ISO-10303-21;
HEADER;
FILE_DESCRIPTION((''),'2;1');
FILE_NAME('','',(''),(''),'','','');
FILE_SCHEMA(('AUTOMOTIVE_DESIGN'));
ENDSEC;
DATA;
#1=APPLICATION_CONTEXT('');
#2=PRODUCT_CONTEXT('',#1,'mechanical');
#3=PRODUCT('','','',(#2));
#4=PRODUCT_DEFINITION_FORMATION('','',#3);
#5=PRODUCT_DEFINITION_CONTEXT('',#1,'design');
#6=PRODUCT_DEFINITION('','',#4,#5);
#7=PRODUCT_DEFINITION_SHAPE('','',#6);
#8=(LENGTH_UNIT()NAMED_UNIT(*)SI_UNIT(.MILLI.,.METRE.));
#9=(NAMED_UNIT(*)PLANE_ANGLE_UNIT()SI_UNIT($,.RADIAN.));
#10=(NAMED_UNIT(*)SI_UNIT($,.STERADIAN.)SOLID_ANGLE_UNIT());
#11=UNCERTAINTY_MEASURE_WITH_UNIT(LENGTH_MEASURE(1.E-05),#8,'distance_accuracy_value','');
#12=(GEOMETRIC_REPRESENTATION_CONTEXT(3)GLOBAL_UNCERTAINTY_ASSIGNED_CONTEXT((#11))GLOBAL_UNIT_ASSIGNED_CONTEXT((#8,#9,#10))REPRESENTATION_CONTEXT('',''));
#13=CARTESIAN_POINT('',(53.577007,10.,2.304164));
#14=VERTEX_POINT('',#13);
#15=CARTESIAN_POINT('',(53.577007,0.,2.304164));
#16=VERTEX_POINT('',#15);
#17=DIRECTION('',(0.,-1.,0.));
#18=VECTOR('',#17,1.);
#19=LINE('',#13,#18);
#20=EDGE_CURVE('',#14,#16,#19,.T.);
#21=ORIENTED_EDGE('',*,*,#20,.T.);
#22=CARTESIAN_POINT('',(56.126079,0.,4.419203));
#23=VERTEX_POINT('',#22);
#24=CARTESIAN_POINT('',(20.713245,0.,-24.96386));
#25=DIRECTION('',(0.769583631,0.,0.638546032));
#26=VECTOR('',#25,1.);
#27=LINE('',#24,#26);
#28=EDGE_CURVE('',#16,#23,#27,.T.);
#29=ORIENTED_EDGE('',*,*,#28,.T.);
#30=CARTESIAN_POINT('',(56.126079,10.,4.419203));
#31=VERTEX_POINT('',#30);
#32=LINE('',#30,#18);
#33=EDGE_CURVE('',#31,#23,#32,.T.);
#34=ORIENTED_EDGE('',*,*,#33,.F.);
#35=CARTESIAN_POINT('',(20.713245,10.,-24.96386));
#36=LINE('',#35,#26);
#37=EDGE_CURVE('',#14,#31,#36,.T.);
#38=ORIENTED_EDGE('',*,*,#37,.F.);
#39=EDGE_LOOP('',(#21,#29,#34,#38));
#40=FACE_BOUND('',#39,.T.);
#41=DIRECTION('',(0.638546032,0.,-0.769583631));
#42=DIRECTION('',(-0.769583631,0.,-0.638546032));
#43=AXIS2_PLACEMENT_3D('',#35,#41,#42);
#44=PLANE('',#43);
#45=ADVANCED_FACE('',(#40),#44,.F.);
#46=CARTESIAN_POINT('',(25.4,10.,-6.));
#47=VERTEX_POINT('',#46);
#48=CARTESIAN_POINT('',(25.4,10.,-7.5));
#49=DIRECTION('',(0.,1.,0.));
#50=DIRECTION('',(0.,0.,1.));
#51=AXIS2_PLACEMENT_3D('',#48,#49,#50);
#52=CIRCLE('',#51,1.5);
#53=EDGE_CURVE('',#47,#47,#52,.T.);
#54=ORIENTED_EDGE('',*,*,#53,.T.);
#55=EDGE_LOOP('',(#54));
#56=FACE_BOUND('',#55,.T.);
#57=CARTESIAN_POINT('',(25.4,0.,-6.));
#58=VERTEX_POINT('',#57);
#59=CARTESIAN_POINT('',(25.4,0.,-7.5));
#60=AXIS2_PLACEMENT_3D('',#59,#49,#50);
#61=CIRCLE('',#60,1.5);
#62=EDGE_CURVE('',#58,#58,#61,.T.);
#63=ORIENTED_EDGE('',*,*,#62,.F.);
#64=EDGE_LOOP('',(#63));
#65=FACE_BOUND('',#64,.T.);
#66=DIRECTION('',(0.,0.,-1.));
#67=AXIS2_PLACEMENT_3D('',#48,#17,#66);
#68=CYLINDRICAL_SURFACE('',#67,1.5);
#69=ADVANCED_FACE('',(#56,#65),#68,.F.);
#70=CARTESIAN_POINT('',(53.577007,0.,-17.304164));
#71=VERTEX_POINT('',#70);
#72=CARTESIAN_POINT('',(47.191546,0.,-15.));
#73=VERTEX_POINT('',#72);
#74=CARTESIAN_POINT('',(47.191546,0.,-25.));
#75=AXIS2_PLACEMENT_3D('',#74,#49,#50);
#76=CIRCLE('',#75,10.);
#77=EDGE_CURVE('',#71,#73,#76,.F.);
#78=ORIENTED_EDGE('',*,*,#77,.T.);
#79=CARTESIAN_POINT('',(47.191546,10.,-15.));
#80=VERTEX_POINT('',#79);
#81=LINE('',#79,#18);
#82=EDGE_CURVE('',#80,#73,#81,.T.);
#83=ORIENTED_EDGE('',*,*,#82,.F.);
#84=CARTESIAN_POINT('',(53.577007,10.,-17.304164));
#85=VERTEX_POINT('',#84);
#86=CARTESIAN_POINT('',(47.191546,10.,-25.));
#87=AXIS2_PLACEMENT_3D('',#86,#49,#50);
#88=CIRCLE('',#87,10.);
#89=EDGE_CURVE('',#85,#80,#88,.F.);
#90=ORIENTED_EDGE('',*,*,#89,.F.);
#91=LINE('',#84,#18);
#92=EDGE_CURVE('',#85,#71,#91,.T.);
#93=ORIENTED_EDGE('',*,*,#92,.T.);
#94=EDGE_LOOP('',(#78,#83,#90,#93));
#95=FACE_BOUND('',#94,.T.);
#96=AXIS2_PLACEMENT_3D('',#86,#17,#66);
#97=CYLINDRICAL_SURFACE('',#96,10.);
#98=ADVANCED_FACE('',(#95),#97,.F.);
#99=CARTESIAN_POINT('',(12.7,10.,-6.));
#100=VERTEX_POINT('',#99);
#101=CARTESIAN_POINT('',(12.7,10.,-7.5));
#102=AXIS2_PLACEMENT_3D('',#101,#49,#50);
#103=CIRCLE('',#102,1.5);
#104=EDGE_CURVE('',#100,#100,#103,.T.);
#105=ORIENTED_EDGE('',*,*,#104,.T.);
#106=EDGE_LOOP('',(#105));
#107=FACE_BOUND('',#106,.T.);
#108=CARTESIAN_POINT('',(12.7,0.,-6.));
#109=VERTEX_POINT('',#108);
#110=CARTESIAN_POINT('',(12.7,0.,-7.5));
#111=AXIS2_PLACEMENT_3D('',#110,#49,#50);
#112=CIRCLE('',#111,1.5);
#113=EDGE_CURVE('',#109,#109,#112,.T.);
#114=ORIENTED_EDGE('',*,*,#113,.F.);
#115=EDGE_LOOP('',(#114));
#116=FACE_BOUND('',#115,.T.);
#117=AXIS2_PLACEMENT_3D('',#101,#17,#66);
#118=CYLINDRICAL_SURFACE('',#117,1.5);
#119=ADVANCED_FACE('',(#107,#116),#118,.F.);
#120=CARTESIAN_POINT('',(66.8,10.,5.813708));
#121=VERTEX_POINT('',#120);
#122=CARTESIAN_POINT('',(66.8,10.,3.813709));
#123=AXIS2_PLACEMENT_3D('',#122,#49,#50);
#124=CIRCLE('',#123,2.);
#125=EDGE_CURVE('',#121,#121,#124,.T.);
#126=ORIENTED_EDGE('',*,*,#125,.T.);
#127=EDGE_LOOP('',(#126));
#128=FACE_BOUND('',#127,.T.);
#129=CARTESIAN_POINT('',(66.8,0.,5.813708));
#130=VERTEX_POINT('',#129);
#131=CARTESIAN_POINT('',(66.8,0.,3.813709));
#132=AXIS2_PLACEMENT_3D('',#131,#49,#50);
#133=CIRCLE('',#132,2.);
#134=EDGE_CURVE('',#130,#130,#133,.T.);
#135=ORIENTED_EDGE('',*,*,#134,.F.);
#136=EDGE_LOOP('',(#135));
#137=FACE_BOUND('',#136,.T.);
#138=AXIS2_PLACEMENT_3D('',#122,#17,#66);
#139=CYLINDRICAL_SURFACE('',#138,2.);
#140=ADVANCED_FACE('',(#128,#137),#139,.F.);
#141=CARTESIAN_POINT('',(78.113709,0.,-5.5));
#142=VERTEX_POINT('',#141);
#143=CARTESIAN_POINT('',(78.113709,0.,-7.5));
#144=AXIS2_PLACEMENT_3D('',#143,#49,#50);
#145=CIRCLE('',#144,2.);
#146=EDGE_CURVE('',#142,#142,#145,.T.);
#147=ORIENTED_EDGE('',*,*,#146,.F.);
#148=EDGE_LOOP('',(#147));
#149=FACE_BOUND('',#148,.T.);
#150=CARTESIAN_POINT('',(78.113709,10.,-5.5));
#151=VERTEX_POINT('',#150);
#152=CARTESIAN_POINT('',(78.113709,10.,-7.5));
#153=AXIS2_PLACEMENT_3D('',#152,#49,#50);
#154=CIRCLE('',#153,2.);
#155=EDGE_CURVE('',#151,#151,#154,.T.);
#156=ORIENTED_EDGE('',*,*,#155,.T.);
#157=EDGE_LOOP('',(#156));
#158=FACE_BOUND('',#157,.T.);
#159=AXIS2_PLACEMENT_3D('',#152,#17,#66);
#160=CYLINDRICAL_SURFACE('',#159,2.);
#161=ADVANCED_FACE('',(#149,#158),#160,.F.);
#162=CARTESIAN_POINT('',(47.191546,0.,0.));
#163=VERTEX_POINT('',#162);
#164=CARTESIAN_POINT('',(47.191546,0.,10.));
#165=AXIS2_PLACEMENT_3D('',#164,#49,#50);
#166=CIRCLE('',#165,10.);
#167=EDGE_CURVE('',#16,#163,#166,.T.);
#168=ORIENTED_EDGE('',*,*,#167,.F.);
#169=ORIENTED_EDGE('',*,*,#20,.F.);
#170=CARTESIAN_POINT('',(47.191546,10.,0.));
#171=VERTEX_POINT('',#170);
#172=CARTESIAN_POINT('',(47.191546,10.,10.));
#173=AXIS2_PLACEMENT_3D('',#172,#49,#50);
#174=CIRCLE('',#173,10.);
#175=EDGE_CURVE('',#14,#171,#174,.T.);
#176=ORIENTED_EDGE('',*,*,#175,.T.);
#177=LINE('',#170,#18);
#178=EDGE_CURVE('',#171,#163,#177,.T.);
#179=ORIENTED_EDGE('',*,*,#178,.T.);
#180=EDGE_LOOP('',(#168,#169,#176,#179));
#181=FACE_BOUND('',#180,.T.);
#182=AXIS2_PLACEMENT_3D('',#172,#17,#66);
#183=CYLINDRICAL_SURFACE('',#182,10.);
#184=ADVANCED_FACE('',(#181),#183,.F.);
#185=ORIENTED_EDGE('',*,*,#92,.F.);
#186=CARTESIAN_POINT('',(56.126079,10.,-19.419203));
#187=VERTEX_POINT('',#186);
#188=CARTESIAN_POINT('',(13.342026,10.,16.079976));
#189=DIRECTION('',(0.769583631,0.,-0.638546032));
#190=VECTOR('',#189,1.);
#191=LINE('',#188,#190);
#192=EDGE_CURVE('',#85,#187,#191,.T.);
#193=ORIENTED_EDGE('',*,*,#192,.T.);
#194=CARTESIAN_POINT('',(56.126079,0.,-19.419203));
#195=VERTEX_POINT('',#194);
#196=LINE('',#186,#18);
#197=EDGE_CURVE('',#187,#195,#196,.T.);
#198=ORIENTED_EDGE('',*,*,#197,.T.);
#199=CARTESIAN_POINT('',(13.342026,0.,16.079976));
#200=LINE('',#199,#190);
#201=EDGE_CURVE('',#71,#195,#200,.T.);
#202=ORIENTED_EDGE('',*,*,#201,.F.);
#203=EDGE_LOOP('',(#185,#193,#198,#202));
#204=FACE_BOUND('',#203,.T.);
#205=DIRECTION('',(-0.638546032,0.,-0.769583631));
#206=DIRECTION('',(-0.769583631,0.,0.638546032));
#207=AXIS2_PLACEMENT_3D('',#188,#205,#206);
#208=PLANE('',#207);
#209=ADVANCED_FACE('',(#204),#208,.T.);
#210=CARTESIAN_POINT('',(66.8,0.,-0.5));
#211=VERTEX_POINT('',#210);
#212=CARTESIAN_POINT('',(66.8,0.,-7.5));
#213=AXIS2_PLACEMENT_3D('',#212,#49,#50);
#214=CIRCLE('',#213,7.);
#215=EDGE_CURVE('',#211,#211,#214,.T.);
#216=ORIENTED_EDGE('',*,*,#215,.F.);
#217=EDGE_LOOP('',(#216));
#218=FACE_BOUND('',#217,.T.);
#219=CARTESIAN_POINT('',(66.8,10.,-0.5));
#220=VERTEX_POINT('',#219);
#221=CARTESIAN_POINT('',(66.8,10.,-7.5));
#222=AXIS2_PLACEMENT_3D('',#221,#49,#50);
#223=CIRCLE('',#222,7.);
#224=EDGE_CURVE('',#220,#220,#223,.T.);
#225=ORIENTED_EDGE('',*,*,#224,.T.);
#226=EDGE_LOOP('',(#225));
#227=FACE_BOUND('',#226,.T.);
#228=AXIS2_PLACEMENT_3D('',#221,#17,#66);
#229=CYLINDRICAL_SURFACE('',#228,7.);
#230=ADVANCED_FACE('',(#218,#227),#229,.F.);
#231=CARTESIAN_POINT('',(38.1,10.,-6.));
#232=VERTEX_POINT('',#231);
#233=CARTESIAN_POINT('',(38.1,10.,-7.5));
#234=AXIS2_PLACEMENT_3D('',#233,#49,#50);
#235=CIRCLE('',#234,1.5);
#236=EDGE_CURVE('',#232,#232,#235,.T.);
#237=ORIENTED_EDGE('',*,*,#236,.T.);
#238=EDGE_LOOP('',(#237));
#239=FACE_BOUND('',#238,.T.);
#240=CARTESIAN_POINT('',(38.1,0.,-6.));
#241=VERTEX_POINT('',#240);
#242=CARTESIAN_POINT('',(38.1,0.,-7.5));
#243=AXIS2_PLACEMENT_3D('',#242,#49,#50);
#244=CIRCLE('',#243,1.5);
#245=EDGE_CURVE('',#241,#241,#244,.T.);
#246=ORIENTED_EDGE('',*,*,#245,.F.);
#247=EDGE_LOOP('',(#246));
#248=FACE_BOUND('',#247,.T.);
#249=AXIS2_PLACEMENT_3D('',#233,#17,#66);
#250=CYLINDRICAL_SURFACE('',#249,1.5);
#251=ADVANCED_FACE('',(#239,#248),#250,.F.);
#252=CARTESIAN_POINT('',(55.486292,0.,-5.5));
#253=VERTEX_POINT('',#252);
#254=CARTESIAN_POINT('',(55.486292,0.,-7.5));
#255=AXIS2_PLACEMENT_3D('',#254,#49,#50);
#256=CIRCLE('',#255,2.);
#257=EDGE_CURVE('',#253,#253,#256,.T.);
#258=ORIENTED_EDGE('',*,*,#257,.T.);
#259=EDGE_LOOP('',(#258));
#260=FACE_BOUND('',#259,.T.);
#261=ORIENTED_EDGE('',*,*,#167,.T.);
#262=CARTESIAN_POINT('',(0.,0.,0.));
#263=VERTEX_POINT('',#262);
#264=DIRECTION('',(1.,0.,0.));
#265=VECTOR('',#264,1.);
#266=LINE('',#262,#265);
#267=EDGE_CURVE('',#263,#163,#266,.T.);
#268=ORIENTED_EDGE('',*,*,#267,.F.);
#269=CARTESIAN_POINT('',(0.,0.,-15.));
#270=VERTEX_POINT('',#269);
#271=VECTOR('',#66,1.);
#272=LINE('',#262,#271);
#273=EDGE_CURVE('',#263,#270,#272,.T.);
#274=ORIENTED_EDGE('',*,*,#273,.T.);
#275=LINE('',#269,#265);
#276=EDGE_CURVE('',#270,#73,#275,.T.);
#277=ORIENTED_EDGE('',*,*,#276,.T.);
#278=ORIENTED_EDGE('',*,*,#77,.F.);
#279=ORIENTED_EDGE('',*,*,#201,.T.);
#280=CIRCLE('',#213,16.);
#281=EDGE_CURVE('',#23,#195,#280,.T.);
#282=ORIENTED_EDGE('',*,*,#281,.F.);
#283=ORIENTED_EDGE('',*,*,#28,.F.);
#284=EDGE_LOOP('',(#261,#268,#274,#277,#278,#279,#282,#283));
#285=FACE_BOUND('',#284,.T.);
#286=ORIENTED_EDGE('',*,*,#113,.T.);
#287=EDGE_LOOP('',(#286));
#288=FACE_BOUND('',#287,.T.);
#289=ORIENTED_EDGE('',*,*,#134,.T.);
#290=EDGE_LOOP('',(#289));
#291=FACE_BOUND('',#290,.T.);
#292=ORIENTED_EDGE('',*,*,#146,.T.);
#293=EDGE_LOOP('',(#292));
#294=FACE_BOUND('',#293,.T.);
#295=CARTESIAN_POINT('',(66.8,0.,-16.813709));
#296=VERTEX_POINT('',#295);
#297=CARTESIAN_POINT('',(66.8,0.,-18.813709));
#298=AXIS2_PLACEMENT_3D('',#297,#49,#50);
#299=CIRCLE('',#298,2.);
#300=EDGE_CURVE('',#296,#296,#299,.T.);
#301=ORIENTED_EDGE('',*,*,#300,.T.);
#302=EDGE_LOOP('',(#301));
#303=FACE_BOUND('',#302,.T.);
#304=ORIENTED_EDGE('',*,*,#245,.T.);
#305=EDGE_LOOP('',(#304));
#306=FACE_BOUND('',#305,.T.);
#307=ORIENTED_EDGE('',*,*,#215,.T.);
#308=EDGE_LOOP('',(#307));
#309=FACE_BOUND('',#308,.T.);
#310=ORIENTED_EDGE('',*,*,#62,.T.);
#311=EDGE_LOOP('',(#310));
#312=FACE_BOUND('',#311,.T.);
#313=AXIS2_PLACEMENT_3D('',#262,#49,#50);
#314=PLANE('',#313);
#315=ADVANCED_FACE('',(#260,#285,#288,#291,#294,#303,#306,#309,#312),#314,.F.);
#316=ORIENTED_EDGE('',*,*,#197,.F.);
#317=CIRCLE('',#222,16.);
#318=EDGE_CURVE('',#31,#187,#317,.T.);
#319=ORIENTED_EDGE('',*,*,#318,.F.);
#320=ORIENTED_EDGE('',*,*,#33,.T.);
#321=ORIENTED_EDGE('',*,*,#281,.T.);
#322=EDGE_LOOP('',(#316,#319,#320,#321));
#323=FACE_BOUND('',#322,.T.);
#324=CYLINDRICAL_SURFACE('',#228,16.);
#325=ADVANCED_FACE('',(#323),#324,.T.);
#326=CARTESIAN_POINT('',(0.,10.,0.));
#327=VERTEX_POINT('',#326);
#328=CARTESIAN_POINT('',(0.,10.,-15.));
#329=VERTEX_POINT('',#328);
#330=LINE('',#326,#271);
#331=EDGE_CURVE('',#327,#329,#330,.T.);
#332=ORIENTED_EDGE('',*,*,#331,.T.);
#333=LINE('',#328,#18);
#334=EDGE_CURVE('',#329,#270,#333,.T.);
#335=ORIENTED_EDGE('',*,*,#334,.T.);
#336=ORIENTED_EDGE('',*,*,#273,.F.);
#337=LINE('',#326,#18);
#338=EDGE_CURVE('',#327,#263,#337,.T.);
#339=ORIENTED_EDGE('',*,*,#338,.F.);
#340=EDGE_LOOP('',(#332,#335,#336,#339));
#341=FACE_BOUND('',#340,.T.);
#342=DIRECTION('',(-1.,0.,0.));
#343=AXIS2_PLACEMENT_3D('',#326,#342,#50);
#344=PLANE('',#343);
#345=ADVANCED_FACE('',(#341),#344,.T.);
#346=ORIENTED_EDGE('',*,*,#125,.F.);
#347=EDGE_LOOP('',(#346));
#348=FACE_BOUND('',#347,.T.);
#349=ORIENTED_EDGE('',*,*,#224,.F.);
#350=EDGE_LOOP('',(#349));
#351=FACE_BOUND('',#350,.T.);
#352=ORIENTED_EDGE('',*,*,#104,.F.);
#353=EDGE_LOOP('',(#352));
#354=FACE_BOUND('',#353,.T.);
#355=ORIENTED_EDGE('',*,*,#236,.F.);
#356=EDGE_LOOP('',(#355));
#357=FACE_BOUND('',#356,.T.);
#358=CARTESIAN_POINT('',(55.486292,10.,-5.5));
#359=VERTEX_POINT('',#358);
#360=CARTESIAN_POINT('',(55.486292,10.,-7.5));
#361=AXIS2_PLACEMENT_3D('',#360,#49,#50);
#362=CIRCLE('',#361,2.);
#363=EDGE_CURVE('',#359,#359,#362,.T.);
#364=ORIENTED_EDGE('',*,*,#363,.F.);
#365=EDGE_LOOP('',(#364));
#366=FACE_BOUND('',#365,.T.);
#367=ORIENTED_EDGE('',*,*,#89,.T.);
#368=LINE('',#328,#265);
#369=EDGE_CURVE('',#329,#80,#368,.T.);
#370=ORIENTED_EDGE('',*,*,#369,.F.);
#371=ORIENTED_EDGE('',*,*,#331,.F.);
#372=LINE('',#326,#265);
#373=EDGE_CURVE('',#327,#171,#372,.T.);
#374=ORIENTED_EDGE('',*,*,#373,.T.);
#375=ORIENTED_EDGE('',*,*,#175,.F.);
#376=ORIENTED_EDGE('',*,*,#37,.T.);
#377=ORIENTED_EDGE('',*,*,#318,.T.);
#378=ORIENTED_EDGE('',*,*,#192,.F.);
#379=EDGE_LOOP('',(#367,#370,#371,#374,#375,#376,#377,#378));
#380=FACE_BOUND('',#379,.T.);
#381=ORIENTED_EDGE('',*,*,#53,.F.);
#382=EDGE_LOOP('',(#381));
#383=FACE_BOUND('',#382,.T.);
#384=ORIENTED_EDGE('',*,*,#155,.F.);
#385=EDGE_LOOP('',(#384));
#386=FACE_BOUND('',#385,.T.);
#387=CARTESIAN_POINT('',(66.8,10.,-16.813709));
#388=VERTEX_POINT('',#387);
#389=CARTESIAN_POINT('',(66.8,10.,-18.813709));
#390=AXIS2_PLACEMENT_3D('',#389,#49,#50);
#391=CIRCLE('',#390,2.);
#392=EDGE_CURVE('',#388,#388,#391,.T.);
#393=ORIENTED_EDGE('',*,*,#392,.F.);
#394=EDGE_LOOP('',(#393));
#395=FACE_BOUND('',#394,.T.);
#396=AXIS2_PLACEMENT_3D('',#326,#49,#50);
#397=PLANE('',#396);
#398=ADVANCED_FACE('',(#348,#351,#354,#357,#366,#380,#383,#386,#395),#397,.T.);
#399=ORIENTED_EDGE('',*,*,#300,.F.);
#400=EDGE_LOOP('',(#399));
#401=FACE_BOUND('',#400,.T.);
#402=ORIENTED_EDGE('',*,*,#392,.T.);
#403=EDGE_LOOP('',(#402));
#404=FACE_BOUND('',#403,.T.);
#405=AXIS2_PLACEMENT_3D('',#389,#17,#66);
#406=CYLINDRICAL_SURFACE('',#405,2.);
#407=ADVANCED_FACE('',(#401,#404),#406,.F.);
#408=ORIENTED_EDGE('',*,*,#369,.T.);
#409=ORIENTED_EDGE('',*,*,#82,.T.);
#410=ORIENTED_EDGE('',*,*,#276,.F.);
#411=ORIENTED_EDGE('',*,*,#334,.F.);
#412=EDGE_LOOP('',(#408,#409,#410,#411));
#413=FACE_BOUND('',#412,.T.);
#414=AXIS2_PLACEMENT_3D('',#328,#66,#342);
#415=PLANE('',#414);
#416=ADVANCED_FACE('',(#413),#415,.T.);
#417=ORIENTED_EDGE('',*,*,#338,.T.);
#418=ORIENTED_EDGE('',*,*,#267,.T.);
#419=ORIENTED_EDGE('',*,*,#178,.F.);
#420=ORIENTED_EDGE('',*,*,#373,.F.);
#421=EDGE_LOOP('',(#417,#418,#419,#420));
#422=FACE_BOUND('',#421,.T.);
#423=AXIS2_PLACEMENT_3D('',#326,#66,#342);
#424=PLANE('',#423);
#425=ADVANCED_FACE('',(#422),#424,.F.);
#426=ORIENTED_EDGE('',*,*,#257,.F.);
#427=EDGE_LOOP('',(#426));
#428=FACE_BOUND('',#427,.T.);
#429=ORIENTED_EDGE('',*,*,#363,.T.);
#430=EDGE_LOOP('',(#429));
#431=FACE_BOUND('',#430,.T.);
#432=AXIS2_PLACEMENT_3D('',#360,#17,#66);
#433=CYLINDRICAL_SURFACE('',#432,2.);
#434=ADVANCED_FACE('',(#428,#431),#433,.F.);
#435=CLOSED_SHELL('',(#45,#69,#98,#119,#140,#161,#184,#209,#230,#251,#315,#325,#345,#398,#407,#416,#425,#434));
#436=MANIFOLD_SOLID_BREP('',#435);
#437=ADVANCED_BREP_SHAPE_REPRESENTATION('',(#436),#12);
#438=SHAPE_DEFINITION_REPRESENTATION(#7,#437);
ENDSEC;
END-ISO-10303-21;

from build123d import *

# Parameters (mm, degrees)
SKETCH1_R           = 1.5
SKETCH1_R_2         = 2
SKETCH1_R_3         = 7
BOSS_EXTRUDE1_DEPTH = 10


with BuildPart() as part:
    # Sketch1 → Boss-Extrude1 (new body)
    with BuildSketch(Plane(origin=(0, 0, 0), x_dir=(1, 0, 0), z_dir=(0, 1, 0))):
        with BuildLine():
            ThreePointArc((53.57700678, 17.304163694), (50.585779575, 15.593662693), (47.191546456, 15))
            Line((47.191546456, 15), (0, 15))
            Line((0, 15), (0, 0))
            Line((0, 0), (47.191546456, 0))
            ThreePointArc((47.191546456, 0), (50.585779575, -0.593662693), (53.57700678, -2.304163694))
            Line((53.57700678, -2.304163694), (56.126078821, -4.419203273))
            ThreePointArc((56.126078821, -4.419203273), (82.8, 7.5), (56.126078821, 19.419203273))
            Line((56.126078821, 19.419203273), (53.57700678, 17.304163694))
        make_face()
        with Locations(Location((12.7, 7.5, 0), (0, 0, 270))):
            Circle(SKETCH1_R, mode=Mode.SUBTRACT)
        with Locations(Location((25.4, 7.5, 0), (0, 0, 270))):
            Circle(SKETCH1_R, mode=Mode.SUBTRACT)
        with Locations(Location((38.1, 7.5, 0), (0, 0, 270))):
            Circle(SKETCH1_R, mode=Mode.SUBTRACT)
        with BuildLine():
            ThreePointArc((53.4862915, 7.5), (55.4862915, 9.5), (57.4862915, 7.5))
            ThreePointArc((57.4862915, 7.5), (55.4862915, 5.5), (53.4862915, 7.5))
        make_face(mode=Mode.SUBTRACT)
        with Locations(Location((66.8, -3.8137085, 0), (0, 0, 270))):
            Circle(SKETCH1_R_2, mode=Mode.SUBTRACT)
        with Locations(Location((66.8, 18.8137085, 0), (0, 0, 270))):
            Circle(SKETCH1_R_2, mode=Mode.SUBTRACT)
        with Locations(Location((78.1137085, 7.5, 0), (0, 0, 270))):
            Circle(SKETCH1_R_2, mode=Mode.SUBTRACT)
        with Locations(Location((66.8, 7.5, 0), (0, 0, 270))):
            Circle(SKETCH1_R_3, mode=Mode.SUBTRACT)
    extrude(amount=BOSS_EXTRUDE1_DEPTH)


solid = part.part
